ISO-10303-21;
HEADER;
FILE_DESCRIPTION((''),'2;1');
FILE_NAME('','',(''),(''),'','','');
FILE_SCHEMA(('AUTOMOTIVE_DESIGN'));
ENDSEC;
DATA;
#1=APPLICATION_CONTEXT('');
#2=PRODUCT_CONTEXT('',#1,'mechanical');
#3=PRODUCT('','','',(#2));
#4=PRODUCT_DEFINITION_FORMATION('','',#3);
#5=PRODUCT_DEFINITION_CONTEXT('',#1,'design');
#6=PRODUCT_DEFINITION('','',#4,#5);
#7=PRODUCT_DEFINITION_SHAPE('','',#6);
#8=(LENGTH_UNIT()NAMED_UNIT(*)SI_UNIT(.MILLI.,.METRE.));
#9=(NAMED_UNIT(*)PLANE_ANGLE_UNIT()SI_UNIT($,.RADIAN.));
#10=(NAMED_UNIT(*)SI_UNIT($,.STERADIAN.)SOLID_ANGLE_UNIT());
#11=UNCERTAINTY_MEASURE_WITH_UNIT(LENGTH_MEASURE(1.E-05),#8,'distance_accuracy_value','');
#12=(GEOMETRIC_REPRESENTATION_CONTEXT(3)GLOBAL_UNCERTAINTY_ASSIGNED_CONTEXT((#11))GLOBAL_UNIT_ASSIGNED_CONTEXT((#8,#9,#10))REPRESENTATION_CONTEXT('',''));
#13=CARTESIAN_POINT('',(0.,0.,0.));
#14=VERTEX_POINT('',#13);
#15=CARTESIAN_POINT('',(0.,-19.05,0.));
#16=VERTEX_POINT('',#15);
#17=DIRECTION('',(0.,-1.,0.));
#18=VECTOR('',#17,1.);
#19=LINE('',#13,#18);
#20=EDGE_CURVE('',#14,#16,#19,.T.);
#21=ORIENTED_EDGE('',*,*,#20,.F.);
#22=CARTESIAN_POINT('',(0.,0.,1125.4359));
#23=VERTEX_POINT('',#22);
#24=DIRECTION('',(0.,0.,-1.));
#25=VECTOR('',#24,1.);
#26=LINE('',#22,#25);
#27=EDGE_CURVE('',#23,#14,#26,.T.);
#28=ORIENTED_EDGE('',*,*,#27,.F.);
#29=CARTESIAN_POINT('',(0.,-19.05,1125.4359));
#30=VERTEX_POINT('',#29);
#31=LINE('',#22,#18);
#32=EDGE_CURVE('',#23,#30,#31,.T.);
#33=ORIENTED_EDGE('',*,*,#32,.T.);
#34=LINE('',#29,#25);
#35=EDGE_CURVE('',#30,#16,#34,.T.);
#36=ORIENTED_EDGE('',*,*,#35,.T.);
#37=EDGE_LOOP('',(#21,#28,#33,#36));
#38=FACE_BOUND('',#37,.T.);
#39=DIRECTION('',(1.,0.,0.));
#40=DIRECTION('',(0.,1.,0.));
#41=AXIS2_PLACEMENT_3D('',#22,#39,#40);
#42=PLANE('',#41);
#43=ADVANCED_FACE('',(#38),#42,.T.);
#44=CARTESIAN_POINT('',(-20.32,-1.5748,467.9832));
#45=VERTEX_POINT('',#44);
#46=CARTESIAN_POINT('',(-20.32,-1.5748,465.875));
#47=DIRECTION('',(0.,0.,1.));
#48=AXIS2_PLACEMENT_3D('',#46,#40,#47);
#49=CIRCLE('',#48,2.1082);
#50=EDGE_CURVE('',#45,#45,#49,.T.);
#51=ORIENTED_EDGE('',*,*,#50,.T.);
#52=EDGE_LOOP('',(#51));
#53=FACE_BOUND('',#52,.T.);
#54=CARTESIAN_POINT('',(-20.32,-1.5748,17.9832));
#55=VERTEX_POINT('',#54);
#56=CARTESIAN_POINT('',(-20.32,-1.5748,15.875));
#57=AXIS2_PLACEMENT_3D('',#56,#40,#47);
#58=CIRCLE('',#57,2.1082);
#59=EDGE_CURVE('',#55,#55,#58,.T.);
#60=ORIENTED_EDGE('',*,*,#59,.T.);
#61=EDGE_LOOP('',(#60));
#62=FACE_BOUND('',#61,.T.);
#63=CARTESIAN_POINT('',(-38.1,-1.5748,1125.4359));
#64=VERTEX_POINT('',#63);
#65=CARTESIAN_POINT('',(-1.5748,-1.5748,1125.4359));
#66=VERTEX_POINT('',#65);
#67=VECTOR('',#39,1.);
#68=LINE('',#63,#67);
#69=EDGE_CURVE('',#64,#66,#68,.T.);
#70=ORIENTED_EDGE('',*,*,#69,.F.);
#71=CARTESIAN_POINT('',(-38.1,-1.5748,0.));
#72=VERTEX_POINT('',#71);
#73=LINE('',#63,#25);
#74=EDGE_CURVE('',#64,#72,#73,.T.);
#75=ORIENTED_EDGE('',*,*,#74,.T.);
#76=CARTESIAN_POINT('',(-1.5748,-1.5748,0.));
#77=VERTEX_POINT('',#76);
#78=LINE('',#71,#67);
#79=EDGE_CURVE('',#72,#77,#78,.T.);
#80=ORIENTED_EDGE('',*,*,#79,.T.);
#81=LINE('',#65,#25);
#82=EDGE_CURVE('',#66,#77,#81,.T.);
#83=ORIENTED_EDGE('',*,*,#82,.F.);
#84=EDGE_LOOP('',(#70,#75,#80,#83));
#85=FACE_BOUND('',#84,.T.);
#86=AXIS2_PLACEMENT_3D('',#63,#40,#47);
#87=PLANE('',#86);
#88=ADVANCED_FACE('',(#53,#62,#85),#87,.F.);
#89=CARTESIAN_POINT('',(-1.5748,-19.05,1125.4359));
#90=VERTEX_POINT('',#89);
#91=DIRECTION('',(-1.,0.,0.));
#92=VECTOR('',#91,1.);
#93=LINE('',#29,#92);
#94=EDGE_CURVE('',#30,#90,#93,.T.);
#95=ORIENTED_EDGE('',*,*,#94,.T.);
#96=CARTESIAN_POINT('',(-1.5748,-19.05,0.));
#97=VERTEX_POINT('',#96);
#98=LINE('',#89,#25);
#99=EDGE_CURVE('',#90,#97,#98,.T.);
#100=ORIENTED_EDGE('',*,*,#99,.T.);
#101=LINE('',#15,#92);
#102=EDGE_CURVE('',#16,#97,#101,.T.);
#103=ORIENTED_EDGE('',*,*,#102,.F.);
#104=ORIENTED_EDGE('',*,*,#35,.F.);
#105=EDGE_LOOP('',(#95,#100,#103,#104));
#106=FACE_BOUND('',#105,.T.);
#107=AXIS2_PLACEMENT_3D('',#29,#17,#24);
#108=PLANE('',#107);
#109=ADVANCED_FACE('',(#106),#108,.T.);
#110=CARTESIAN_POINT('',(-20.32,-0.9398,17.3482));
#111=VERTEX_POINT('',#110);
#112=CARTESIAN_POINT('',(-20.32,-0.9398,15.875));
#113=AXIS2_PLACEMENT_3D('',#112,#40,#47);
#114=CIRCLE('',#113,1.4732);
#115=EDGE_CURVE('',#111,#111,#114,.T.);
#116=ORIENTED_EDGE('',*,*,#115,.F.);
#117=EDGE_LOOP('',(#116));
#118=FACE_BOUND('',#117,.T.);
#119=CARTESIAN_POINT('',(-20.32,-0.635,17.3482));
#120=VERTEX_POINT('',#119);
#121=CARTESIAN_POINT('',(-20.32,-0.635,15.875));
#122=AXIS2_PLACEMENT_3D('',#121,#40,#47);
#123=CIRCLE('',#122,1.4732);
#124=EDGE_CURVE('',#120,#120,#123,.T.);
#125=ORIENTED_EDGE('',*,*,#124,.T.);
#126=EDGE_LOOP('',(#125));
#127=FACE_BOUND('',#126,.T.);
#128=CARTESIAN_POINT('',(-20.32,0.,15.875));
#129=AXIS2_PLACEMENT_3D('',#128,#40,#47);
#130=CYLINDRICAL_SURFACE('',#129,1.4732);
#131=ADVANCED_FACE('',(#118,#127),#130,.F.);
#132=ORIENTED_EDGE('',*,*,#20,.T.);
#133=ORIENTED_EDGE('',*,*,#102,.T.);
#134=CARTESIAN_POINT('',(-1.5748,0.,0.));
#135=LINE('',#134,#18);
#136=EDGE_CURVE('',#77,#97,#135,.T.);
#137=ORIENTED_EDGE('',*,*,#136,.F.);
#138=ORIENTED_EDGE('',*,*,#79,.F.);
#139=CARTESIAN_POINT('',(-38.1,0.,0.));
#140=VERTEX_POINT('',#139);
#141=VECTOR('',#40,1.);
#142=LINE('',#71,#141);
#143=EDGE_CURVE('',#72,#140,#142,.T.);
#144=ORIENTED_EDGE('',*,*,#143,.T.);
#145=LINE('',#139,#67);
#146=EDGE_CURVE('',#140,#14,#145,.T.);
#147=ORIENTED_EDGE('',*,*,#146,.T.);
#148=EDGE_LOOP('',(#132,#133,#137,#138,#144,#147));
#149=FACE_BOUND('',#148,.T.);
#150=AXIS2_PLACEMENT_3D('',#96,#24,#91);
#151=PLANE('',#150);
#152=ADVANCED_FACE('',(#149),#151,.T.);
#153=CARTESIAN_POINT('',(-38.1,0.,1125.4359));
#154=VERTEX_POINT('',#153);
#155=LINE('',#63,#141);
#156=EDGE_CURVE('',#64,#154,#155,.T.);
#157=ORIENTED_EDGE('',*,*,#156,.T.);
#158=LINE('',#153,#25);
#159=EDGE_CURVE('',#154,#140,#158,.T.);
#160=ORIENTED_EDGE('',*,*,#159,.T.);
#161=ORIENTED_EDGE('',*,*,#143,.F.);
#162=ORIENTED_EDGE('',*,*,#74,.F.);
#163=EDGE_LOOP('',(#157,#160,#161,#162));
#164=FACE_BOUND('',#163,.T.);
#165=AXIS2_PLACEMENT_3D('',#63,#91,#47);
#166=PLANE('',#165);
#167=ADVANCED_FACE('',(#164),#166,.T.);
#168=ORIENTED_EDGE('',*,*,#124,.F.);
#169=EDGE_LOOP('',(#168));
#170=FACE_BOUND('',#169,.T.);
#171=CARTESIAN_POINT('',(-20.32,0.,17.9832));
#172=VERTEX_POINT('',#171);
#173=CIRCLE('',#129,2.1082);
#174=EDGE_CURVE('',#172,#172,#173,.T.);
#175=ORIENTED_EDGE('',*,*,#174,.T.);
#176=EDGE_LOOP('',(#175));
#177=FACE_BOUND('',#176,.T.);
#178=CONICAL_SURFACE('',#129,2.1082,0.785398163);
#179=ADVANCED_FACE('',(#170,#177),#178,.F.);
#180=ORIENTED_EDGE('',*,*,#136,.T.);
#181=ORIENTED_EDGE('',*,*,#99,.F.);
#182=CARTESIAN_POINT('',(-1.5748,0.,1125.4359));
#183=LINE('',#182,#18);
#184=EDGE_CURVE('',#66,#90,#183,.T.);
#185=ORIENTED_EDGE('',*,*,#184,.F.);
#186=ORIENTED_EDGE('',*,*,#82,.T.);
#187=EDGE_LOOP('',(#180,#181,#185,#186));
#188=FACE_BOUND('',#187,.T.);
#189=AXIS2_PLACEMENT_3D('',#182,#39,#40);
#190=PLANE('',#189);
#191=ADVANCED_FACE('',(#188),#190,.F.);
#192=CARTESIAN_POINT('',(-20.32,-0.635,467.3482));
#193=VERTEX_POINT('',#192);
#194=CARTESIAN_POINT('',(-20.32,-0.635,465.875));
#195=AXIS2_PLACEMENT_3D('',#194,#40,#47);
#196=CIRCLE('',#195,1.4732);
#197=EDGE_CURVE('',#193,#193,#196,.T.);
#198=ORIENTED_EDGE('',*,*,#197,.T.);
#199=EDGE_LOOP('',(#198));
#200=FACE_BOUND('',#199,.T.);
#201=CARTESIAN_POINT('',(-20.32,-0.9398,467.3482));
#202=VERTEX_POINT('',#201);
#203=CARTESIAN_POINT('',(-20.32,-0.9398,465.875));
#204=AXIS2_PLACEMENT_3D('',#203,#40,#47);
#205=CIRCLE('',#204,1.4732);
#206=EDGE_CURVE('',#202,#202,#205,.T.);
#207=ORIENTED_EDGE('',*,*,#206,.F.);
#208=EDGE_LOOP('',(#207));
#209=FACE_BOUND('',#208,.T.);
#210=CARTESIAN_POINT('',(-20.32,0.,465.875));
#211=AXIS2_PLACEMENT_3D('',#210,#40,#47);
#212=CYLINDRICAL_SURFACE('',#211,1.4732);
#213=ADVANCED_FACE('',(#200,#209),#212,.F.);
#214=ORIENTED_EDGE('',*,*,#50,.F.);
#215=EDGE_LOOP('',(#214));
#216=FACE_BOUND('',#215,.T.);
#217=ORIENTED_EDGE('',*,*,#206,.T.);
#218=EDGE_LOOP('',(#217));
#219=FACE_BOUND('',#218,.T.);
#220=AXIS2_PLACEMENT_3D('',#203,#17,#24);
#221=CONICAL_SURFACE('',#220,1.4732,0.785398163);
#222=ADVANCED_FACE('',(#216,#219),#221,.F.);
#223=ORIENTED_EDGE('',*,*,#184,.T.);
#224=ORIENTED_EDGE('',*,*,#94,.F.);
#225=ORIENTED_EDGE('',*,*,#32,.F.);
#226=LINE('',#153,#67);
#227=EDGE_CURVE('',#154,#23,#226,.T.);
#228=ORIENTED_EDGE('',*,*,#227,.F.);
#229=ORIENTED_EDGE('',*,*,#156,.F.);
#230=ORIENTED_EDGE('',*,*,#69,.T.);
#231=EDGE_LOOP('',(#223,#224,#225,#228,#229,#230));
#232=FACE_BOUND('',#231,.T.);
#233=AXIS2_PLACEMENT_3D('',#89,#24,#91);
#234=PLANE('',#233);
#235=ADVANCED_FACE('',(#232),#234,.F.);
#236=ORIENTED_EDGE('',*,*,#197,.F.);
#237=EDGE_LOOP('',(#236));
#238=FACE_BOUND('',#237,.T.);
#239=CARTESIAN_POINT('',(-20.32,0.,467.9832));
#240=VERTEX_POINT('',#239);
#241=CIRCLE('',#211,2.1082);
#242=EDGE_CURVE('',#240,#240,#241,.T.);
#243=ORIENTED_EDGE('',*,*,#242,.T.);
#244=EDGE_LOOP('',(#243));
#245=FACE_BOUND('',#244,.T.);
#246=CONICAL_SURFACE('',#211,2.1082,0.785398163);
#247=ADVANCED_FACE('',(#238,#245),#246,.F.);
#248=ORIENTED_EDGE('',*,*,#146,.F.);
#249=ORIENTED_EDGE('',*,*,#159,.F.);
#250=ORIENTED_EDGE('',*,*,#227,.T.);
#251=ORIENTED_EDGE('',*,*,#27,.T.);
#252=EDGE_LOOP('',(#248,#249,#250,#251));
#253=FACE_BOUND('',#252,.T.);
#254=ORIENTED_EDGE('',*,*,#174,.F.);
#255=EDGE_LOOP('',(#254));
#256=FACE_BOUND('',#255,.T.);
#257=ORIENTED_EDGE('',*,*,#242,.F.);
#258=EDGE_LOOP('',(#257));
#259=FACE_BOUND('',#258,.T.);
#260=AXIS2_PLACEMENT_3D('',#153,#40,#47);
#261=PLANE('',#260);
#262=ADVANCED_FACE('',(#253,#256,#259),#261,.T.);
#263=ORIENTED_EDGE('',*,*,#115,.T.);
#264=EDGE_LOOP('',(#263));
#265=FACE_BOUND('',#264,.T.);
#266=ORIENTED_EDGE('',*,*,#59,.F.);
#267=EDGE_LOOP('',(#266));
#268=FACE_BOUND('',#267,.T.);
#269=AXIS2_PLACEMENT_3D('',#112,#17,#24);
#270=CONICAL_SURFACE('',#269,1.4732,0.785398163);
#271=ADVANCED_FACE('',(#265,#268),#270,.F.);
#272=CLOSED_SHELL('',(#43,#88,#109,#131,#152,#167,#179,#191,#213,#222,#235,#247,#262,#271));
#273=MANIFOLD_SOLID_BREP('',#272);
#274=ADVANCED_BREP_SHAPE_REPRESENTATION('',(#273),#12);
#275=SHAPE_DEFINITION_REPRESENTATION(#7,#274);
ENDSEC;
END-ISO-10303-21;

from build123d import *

# Parameters (mm, degrees)
EXTRUDE_THIN1_DEPTH            = 1125.4359
F_4_CLEARANCE_HOLE1_AT_2_COUNT = 2
F_4_CLEARANCE_HOLE1_AT_2_PITCH = 450


with BuildPart() as part:
    # Sketch1 → Extrude-Thin1 (new body)
    with BuildSketch(Plane.XY):
        Polygon((-38.1, 0), (0, 0), (0, -19.05), (-1.5748, -19.05), (-1.5748, -1.5748), (-38.1, -1.5748), align=None)
    extrude(amount=EXTRUDE_THIN1_DEPTH)

    # Sketch2 → #4 Clearance Hole1 (revolve, cut)
    with BuildSketch(Plane(origin=(-20.32, 0, 15.875), x_dir=(0, 0, 1), z_dir=(1, 0, 0))):
        Polygon((0, 0), (0, 1.5748), (2.1082, 1.5748), (1.4732, 0.9398), (1.4732, 0.635), (2.1082, 0), align=None)
    f_4_clearance_hole1 = revolve(axis=Axis((-20.32, 6.35, 15.875), (0, -1, 0)), mode=Mode.SUBTRACT)

    # #4 Clearance Hole1 at 2: #4 Clearance Hole1 ×2
    with Locations(*[(0, 0, i * F_4_CLEARANCE_HOLE1_AT_2_PITCH) for i in range(1, F_4_CLEARANCE_HOLE1_AT_2_COUNT)]):
        add(f_4_clearance_hole1, mode=Mode.SUBTRACT)


solid = part.part
